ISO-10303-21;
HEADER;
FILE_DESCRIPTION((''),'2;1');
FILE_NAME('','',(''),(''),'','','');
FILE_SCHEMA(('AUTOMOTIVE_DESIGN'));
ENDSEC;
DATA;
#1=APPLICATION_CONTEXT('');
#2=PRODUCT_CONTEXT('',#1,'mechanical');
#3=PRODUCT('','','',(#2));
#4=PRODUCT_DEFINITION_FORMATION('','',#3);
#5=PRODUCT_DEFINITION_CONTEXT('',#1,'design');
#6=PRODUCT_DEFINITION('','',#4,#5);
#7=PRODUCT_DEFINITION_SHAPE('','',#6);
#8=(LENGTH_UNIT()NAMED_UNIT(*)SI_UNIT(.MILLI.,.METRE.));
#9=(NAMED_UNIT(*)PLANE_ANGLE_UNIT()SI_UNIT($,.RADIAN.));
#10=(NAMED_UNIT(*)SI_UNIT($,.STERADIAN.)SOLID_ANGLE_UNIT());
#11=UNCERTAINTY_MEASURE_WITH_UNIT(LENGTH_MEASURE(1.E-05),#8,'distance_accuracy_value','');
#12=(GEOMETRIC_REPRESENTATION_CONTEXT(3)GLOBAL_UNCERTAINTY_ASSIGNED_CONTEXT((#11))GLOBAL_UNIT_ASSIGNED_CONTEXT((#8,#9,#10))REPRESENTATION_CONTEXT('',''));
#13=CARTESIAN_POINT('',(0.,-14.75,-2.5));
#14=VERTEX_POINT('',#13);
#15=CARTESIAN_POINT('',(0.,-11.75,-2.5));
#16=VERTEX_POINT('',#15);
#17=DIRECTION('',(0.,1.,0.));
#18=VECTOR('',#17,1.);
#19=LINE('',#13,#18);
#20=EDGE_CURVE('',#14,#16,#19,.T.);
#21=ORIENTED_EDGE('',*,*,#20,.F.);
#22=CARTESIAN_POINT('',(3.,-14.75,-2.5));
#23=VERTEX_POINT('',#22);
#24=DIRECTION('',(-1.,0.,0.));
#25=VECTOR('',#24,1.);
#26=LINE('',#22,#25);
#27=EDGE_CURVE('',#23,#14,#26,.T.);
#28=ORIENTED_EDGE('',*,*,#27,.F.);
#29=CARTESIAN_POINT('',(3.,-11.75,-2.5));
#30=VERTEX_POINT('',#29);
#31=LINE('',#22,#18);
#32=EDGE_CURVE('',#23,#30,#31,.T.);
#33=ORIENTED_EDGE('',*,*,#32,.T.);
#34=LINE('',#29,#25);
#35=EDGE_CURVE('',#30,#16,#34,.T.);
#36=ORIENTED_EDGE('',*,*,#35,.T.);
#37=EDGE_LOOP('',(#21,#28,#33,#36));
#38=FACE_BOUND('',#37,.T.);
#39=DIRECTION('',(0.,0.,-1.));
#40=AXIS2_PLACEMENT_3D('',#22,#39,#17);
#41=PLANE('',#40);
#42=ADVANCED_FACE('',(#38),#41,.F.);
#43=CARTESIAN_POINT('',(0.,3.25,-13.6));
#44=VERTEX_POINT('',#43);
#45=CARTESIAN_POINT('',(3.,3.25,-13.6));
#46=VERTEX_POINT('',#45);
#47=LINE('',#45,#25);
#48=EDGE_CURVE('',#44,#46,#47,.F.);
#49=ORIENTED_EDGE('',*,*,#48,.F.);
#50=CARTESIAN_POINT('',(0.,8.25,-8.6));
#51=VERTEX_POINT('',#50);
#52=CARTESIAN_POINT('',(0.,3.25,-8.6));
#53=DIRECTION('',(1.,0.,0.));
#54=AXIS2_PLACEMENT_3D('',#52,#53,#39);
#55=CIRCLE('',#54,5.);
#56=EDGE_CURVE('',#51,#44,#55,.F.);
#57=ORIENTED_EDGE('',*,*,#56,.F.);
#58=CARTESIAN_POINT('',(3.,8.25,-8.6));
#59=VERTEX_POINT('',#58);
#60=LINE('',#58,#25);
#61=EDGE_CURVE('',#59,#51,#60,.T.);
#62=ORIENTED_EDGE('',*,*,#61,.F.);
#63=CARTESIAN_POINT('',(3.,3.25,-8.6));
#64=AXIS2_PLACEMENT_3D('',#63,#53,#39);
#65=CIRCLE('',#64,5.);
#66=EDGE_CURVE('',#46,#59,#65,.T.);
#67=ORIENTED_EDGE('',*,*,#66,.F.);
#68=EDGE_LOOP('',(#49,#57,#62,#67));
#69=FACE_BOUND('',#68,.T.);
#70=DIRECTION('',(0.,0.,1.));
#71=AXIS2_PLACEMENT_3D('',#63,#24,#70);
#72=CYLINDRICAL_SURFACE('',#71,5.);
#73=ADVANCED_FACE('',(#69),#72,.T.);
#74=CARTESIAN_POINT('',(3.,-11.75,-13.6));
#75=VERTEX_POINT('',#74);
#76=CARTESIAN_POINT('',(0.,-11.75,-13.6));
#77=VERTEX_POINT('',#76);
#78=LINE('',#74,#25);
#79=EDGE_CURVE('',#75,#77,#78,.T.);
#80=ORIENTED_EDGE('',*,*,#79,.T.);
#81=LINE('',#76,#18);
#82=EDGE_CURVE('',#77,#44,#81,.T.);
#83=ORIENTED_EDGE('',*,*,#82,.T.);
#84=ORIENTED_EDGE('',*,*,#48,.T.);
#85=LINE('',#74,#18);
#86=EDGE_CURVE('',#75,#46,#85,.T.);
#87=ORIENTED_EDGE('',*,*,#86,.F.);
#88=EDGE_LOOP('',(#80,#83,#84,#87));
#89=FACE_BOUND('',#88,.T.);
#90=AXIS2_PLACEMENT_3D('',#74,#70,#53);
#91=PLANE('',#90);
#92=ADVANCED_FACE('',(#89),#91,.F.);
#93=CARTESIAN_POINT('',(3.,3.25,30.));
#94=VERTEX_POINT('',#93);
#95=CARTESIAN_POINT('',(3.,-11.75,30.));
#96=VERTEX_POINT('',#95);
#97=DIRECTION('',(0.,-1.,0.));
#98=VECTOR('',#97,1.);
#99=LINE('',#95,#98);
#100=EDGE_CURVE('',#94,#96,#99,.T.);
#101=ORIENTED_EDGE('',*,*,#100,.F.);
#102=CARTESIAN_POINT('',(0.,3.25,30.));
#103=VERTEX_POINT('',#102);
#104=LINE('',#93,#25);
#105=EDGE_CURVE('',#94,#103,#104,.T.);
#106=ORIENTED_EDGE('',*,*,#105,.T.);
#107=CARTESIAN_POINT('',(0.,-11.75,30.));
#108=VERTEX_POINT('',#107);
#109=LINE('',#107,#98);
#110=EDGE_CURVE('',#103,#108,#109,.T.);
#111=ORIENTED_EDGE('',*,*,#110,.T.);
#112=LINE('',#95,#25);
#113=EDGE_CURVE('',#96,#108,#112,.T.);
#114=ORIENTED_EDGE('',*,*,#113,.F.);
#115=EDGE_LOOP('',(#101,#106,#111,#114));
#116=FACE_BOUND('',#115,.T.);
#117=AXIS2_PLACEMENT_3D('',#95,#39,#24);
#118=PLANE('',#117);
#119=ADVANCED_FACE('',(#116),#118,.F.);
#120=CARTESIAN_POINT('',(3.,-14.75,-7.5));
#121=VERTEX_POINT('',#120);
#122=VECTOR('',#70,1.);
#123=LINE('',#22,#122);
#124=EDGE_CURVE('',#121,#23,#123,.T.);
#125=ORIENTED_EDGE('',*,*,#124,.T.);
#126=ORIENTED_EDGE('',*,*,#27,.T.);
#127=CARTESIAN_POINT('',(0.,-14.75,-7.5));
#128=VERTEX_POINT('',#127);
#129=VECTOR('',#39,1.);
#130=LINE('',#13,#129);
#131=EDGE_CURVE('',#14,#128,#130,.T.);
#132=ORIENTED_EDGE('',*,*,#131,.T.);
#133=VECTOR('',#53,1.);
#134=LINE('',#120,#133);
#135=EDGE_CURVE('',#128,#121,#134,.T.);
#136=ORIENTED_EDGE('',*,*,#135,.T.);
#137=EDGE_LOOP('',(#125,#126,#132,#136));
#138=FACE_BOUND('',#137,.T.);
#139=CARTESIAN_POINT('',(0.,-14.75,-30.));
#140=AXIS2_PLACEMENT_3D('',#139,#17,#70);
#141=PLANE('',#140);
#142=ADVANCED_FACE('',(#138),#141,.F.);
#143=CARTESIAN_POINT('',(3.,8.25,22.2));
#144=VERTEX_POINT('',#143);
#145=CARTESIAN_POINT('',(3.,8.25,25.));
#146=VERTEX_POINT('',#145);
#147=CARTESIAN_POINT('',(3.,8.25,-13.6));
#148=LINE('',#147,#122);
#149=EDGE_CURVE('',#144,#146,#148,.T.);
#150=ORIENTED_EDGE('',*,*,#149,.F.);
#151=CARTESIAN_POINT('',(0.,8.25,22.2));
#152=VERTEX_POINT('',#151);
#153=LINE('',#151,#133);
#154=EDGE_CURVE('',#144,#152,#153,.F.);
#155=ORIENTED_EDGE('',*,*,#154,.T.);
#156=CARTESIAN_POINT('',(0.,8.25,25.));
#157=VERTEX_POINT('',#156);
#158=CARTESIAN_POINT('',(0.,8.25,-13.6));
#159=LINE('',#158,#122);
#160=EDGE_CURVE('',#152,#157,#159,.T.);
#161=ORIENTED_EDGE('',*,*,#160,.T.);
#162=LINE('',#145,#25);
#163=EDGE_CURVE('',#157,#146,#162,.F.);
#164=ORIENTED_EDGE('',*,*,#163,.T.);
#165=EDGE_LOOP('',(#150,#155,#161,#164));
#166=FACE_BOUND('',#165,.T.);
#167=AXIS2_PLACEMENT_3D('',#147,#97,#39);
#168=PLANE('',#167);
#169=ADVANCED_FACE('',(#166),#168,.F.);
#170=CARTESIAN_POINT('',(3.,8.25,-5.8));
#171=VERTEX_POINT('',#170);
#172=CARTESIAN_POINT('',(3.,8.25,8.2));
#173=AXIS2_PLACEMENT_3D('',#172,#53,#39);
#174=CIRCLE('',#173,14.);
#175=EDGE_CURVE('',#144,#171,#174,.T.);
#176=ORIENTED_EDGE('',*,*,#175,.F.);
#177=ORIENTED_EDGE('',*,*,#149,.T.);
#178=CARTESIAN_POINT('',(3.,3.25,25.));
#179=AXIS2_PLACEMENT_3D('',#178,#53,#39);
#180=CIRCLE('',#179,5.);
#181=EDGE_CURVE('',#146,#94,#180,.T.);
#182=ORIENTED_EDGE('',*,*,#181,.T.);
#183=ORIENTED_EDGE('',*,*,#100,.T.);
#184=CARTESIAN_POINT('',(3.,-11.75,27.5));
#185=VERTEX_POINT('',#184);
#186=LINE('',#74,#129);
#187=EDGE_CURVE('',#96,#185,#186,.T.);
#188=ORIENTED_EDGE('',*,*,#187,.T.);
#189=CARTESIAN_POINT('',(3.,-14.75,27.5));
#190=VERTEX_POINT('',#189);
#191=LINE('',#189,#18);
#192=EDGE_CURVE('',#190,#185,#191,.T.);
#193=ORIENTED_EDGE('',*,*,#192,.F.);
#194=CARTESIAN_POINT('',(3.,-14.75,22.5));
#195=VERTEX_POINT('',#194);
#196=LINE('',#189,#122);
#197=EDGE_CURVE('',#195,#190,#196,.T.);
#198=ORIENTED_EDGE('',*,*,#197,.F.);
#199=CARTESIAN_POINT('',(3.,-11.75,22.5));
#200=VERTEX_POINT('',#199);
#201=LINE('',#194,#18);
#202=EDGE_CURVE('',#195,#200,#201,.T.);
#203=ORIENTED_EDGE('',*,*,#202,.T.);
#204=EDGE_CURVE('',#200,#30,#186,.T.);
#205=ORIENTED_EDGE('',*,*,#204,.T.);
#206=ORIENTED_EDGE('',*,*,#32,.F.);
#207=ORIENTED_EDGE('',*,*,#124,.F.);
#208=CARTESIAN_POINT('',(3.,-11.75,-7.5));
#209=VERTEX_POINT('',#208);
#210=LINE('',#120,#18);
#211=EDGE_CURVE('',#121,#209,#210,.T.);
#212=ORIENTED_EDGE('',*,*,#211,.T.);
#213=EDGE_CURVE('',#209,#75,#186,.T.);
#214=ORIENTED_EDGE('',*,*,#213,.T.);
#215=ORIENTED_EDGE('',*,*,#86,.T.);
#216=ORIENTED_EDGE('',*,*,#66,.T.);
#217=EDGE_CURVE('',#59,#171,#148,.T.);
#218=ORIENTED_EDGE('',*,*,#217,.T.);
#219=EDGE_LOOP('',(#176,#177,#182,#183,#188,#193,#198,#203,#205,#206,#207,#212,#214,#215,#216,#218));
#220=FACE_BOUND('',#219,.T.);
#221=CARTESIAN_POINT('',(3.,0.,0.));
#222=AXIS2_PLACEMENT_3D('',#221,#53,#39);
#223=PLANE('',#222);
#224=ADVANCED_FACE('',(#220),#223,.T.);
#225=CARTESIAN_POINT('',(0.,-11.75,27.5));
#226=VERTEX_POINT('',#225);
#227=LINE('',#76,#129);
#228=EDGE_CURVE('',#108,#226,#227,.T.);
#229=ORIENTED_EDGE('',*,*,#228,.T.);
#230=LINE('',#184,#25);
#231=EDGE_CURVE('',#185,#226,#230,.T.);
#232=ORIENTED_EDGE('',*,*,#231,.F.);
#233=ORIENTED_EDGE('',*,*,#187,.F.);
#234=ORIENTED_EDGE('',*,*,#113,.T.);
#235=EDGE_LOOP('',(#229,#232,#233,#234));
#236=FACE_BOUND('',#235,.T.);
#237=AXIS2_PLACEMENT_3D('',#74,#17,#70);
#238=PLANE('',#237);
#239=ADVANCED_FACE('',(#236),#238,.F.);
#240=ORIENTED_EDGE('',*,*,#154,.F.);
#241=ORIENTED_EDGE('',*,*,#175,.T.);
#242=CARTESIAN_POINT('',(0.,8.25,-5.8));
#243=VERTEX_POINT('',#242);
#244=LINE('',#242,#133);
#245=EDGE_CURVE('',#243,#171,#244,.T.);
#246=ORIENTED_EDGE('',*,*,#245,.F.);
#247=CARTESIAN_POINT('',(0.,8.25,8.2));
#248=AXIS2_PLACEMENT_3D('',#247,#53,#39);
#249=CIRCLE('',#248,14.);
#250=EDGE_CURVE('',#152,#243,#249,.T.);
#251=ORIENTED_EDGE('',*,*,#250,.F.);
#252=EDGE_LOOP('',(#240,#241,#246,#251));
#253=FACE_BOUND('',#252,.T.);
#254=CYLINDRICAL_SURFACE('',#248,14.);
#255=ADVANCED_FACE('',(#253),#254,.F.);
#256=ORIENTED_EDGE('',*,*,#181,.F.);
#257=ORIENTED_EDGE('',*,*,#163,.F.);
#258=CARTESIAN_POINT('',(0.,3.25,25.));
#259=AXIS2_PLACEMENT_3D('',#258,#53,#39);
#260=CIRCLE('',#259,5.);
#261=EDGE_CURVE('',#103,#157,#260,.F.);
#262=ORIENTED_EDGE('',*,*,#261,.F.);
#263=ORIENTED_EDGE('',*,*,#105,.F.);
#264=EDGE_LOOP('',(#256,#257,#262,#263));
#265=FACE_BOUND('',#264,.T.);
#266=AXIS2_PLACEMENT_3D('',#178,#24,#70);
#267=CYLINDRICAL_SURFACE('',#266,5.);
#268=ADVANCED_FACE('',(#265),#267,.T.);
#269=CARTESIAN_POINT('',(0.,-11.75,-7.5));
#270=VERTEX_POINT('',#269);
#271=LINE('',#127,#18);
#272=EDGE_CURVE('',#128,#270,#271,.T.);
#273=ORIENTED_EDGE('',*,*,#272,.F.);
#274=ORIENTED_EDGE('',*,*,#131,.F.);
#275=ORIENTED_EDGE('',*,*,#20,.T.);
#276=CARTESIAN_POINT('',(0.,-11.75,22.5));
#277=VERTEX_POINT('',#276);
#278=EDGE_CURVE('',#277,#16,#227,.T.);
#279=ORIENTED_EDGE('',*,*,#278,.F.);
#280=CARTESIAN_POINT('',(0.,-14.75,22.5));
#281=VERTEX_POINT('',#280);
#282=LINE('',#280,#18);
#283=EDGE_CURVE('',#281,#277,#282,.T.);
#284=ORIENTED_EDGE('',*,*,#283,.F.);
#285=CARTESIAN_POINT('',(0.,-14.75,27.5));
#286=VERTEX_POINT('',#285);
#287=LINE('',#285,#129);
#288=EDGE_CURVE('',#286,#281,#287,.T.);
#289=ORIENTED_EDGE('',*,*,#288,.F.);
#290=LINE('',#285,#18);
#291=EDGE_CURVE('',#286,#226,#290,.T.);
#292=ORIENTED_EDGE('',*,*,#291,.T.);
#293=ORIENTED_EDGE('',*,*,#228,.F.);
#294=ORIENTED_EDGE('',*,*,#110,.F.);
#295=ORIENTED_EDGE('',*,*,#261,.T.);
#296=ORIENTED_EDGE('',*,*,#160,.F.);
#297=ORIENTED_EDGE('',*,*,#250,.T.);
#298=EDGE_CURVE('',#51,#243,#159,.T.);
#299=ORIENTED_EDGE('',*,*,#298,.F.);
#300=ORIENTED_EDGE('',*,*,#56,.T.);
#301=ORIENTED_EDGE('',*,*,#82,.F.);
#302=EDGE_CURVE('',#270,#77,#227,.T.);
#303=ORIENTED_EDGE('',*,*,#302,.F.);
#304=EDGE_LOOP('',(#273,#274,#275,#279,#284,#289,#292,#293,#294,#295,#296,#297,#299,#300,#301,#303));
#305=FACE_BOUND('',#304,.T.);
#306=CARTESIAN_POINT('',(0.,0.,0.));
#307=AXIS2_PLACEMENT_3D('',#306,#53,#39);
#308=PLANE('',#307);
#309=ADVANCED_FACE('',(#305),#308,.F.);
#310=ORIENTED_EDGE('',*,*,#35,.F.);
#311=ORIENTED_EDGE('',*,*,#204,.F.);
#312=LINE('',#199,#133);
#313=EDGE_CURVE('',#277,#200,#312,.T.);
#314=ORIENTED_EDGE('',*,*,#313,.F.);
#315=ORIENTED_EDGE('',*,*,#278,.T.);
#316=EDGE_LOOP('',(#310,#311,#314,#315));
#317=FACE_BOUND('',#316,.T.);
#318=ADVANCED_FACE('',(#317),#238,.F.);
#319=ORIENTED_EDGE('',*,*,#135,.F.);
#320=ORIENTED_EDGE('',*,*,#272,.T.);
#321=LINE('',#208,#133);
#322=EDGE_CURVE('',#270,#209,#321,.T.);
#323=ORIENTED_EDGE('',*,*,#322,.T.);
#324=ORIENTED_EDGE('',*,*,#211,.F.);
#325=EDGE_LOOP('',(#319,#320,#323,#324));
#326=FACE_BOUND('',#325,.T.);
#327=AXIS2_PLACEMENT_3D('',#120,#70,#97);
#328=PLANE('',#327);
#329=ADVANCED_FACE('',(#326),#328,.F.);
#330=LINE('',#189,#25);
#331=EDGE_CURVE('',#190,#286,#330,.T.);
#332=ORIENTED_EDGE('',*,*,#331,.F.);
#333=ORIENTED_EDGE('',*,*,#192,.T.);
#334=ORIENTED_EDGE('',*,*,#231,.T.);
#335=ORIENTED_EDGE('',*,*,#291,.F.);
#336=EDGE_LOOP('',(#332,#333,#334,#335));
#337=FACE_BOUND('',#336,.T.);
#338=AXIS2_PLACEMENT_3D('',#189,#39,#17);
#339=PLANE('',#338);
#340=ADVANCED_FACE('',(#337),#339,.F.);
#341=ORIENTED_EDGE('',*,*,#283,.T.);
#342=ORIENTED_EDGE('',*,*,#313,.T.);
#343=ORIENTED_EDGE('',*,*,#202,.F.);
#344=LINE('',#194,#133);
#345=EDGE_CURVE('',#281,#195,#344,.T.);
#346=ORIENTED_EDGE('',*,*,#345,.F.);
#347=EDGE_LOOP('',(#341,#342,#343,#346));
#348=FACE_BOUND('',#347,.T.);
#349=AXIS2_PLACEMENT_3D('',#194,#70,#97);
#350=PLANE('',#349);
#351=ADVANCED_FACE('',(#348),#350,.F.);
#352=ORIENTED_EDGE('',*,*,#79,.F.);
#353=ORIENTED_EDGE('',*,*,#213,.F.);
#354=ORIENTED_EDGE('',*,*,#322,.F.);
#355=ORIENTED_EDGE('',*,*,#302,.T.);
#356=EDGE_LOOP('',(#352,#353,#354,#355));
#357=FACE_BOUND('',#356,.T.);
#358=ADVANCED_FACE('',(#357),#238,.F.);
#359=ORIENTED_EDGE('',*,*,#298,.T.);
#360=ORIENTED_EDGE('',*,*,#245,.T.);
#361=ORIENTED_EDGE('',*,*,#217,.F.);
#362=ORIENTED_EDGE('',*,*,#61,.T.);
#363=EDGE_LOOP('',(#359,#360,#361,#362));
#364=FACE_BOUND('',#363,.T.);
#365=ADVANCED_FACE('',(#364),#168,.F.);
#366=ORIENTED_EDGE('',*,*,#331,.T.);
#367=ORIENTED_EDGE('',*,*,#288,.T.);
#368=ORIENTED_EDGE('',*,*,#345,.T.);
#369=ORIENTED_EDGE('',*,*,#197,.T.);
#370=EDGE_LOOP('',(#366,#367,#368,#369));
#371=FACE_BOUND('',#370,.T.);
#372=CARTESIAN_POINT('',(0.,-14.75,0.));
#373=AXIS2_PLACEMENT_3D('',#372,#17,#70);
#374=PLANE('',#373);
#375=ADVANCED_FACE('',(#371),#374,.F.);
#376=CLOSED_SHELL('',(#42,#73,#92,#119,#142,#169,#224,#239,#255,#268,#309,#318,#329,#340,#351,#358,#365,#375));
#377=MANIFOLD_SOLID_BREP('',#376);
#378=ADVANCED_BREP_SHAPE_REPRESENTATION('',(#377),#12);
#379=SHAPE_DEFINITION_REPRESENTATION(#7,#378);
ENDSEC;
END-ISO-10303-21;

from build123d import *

# Parameters (mm, degrees)
SKETCH1_W           = 43.6
SKETCH1_H           = 20
BOSS_EXTRUDE1_DEPTH = 3
SKETCH4_R           = 14
CUT_EXTRUDE1_DEPTH  = 4
FILLET1_R           = 5
SKETCH3_W           = 3
SKETCH3_H           = 5
BOSS_EXTRUDE2_DEPTH = 3
LPATTERN1_COUNT     = 2
LPATTERN1_PITCH     = 30


with BuildPart() as part:
    # Sketch1 → Boss-Extrude1 (new body)
    with BuildSketch(Plane(origin=(0, 0, 0), x_dir=(0, 0, -1), z_dir=(1, 0, 0))):
        with Locations((-8.2, -1.75)):
            Rectangle(SKETCH1_W, SKETCH1_H)
    extrude(amount=BOSS_EXTRUDE1_DEPTH)

    # Sketch4 → Cut-Extrude1 (cut, through all)
    with BuildSketch(Plane(origin=(3, 0, 0), x_dir=(0, 0, -1), z_dir=(1, 0, 0))):
        with Locations((-8.2, 8.25)):
            Circle(SKETCH4_R)
    extrude(amount=-CUT_EXTRUDE1_DEPTH, mode=Mode.SUBTRACT)

    # Fillet1
    fillet1_edges = [part.edges().sort_by_distance(p)[0] for p in [
        (1.5, 8.25, 30),
        (1.5, 8.25, -13.6),
    ]]
    fillet(fillet1_edges, radius=FILLET1_R)

    # Sketch3 → Boss-Extrude2 (add)
    with BuildSketch(Plane.XZ.offset(11.75)):
        with Locations((1.5, 25)):
            Rectangle(SKETCH3_W, SKETCH3_H)
    boss_extrude2 = extrude(amount=BOSS_EXTRUDE2_DEPTH)

    # LPattern1: Boss-Extrude2 ×2
    with Locations(*[(0, 0, -i * LPATTERN1_PITCH) for i in range(1, LPATTERN1_COUNT)]):
        add(boss_extrude2)


solid = part.part
